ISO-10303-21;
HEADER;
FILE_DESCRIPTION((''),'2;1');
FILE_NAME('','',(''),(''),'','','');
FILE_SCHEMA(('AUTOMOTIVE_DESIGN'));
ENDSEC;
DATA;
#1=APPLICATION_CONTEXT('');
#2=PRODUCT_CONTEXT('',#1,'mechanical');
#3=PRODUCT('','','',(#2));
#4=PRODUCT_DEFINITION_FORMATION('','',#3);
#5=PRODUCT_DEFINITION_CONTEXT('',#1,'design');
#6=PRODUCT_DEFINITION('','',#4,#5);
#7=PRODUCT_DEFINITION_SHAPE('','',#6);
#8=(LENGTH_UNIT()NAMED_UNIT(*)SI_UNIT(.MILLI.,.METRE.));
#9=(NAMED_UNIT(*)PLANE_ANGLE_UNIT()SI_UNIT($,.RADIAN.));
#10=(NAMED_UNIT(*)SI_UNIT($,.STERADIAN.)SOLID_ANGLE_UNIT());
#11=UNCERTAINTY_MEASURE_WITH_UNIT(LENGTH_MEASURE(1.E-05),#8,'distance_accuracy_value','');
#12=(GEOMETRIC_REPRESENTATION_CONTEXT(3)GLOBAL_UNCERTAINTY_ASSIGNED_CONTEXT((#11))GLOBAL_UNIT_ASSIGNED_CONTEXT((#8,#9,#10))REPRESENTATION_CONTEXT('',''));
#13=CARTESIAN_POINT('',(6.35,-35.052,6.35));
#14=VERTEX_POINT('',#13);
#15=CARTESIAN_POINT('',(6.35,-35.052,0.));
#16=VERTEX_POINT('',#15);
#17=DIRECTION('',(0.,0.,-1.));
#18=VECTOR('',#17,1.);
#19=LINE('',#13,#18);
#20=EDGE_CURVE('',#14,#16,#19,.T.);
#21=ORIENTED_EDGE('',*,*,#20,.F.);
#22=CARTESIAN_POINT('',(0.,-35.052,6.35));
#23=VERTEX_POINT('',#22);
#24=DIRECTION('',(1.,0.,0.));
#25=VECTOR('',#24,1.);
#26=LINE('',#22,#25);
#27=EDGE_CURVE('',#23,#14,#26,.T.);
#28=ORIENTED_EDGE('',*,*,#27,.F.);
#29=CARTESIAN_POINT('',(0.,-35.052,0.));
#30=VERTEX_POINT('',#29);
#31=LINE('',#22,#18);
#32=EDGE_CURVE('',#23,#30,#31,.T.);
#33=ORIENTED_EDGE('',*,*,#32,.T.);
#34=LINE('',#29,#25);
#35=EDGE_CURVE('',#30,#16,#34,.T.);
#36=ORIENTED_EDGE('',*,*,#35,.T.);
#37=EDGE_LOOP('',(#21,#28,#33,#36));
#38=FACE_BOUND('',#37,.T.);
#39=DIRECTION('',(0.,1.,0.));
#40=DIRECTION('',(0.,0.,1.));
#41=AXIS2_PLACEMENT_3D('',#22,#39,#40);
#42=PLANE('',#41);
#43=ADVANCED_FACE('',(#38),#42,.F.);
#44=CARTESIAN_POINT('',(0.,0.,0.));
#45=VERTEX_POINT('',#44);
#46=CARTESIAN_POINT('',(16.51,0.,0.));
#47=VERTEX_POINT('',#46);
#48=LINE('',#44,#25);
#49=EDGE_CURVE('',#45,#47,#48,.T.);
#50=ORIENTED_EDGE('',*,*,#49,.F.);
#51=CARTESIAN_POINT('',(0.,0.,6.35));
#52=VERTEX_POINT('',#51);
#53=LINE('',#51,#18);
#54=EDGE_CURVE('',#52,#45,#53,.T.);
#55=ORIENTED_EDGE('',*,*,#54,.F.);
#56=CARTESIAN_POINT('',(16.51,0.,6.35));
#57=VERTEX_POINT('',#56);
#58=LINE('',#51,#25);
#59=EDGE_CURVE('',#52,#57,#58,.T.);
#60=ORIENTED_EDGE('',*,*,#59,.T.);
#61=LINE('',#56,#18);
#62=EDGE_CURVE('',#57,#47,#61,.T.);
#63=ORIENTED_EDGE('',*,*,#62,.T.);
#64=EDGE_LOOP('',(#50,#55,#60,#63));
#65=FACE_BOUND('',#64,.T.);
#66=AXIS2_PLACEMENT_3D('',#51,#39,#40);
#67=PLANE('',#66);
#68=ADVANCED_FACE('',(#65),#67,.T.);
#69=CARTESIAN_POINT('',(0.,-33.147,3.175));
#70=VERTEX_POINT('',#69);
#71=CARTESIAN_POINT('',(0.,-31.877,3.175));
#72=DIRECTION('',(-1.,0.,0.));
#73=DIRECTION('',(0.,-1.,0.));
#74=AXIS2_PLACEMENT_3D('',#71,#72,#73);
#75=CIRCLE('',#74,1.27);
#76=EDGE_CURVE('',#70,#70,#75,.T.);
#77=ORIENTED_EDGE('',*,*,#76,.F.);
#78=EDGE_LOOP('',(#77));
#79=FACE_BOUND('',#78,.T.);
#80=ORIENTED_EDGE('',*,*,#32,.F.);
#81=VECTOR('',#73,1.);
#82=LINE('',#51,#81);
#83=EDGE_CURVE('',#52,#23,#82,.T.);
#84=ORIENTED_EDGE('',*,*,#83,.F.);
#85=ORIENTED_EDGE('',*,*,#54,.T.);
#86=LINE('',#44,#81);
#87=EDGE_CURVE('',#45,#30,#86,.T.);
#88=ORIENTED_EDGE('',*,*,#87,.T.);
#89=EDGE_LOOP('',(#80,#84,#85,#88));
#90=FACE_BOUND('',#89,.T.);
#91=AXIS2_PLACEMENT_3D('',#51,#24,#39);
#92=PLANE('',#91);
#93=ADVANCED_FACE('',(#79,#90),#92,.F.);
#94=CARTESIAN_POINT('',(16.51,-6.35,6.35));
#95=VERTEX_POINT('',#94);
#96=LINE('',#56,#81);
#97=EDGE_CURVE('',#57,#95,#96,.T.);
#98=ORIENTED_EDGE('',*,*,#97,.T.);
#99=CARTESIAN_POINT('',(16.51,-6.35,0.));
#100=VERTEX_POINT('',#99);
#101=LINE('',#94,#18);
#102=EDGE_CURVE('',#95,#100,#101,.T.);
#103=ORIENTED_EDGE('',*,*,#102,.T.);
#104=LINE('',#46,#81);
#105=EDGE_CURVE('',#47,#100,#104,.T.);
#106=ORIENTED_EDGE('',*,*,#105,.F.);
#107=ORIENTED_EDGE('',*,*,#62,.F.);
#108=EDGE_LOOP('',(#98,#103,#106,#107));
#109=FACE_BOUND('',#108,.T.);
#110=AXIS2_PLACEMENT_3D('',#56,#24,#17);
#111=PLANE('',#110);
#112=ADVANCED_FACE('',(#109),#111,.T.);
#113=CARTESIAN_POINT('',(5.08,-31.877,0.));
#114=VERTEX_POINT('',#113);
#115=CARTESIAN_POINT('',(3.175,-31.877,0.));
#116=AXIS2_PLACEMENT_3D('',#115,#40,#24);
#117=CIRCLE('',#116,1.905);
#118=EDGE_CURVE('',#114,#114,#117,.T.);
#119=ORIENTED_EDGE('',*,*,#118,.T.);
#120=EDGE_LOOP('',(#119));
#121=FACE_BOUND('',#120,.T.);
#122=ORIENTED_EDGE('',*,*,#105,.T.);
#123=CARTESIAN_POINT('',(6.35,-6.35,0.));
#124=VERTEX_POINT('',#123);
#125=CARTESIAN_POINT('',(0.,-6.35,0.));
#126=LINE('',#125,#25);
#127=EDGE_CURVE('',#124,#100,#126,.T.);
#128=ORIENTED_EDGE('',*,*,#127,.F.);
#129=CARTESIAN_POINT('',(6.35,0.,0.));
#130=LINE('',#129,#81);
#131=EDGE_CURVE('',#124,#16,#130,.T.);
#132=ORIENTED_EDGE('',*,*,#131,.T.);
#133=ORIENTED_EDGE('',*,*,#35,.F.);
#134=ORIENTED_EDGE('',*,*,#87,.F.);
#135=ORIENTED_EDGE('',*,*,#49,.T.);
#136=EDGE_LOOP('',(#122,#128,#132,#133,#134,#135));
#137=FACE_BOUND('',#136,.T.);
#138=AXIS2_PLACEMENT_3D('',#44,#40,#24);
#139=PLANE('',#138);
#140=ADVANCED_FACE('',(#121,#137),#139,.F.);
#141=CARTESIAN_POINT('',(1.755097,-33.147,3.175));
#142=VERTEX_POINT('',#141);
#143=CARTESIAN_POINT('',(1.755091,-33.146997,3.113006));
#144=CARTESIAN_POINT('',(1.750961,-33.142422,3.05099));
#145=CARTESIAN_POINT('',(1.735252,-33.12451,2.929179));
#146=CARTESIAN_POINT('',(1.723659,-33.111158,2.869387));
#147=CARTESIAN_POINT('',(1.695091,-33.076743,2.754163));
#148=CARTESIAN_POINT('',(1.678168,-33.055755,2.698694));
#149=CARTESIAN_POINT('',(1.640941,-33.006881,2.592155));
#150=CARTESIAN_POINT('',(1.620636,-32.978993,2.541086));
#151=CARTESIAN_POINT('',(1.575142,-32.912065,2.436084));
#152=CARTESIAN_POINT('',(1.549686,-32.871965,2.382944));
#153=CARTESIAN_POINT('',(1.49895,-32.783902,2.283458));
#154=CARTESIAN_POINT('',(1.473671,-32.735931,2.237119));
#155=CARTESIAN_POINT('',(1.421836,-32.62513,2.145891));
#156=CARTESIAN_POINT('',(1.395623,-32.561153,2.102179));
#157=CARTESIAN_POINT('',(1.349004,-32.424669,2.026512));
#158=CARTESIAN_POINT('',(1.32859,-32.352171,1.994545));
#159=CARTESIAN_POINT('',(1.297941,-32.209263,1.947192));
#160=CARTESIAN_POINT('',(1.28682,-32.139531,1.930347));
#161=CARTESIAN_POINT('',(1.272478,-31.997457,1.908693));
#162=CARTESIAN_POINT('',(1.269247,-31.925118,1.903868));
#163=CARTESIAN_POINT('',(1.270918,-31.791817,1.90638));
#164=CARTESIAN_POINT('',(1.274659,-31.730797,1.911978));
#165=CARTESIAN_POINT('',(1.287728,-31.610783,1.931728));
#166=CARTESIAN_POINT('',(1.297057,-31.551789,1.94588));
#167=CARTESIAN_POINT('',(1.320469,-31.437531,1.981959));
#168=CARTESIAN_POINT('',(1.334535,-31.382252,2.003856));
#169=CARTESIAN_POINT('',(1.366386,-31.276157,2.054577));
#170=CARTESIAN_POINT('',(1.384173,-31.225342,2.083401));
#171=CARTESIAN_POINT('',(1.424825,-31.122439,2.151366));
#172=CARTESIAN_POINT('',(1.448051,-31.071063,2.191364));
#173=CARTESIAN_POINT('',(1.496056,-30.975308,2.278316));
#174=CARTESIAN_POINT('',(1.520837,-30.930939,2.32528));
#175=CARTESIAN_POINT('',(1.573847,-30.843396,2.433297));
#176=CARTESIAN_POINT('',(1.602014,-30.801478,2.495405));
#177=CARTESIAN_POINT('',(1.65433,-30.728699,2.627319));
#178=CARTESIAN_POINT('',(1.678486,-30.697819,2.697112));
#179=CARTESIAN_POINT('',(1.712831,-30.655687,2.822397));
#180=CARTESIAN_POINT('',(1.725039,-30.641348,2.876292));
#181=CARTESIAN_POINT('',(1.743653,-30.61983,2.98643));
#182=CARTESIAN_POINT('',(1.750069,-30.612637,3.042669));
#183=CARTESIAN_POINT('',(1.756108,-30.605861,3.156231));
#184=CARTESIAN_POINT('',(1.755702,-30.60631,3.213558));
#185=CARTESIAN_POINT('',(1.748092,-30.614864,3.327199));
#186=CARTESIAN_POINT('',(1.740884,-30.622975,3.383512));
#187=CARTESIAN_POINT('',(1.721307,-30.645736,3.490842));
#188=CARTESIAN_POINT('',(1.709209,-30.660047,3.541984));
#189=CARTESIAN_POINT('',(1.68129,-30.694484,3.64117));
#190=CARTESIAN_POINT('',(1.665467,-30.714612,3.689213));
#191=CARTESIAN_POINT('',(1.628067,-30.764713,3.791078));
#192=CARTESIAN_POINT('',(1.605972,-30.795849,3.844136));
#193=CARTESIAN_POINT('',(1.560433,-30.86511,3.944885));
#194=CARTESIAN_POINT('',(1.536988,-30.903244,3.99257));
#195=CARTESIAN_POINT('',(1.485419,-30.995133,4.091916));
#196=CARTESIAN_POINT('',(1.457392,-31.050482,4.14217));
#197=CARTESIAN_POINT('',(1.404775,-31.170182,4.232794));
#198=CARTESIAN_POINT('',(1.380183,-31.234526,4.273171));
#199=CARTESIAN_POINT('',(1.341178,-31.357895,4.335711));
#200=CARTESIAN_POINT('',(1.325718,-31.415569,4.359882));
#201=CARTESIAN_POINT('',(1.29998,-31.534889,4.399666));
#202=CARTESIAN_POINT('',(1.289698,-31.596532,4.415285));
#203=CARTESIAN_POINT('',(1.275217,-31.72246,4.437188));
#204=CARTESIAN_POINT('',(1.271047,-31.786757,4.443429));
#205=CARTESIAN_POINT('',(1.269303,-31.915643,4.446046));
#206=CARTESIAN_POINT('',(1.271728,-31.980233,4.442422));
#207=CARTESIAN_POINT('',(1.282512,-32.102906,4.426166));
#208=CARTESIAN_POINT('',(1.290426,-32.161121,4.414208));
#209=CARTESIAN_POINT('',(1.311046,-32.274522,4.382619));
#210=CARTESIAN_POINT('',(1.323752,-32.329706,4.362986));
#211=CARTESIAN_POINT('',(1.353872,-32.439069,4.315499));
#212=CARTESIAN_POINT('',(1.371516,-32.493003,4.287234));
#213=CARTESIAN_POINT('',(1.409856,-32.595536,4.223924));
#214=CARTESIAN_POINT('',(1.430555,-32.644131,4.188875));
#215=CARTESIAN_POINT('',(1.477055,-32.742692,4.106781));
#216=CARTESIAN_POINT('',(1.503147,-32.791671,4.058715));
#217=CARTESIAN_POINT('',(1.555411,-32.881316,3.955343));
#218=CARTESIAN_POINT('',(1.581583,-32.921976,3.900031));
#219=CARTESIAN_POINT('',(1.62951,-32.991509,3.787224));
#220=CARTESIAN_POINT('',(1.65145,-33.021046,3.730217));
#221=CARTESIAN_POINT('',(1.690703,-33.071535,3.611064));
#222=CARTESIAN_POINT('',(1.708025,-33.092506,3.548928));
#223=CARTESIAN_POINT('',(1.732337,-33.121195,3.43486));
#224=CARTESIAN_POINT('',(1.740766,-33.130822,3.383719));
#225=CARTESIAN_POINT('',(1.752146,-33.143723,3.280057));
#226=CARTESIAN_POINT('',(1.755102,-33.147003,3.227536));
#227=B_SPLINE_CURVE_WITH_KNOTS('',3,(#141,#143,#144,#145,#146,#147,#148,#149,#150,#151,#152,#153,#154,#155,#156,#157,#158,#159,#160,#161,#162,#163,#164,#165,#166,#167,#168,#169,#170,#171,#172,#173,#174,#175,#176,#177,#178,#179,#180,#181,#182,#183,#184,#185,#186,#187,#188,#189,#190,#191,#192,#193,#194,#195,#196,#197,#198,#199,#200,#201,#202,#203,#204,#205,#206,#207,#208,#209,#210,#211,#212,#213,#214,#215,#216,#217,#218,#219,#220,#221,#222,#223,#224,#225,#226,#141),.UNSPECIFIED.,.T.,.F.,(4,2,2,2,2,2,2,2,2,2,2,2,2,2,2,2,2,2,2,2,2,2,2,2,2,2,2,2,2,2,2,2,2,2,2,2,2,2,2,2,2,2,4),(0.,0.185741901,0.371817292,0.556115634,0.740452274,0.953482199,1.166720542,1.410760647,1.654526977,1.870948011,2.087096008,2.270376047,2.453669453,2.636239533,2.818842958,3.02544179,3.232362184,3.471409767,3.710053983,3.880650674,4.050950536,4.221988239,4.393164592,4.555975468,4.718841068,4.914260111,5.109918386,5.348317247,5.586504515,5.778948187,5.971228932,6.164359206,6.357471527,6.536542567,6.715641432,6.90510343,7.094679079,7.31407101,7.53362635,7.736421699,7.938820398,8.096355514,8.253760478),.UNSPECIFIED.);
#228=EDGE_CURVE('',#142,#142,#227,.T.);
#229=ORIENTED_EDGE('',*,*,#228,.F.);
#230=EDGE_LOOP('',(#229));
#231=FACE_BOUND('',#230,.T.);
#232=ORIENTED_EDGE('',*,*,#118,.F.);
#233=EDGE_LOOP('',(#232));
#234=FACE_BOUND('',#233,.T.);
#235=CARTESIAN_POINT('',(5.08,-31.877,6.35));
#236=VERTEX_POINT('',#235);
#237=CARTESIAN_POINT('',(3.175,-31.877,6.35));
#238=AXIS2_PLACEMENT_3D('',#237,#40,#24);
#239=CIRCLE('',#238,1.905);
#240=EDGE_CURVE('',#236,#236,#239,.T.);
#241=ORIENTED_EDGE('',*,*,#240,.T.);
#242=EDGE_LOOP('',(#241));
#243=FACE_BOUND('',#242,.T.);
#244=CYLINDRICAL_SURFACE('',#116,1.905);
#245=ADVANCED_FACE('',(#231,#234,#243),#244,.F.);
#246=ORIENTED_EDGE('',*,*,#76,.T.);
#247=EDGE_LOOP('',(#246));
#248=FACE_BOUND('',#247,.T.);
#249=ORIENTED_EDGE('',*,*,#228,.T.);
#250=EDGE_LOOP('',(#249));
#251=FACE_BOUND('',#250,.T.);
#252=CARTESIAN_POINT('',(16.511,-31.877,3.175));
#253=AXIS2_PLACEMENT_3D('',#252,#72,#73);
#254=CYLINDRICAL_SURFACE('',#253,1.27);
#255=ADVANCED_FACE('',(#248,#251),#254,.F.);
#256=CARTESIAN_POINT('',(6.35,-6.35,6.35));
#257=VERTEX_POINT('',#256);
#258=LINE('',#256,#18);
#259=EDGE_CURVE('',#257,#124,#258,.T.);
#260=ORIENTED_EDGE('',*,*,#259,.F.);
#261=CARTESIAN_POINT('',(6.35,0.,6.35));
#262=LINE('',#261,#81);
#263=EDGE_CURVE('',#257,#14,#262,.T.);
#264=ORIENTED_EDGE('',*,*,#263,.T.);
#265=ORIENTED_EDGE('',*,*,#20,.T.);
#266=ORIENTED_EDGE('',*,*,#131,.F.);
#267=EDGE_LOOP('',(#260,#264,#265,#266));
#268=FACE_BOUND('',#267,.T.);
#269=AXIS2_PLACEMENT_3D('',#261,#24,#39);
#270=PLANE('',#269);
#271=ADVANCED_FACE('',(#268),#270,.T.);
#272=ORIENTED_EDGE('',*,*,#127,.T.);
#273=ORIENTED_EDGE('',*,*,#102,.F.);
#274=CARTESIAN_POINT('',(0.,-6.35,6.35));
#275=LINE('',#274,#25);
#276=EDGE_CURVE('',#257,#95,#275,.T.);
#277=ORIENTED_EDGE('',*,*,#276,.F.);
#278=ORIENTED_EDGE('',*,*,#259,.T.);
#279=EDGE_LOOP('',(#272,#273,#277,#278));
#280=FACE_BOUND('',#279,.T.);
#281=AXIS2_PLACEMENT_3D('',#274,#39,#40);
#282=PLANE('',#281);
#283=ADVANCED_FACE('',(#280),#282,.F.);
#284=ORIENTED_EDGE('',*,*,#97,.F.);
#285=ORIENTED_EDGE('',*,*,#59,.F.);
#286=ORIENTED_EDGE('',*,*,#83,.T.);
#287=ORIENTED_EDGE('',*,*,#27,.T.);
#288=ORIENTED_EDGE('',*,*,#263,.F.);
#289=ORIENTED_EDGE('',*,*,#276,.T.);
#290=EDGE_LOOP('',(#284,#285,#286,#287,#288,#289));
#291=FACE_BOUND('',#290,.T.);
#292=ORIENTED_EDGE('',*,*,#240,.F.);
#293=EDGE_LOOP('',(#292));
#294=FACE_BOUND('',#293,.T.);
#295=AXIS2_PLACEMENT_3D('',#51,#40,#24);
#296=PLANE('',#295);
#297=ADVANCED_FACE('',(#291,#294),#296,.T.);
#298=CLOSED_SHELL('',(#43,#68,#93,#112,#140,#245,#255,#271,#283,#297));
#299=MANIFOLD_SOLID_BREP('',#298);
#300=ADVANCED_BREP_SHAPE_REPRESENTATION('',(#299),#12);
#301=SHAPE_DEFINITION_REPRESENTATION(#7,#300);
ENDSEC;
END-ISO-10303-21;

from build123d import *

# Parameters (mm, degrees)
BOSS_EXTRUDE1_DEPTH = 6.35
SKETCH2_R           = 1.905
CUT_EXTRUDE1_DEPTH  = 7.35
CUT_EXTRUDE2_REACH  = 18.51
SKETCH3_R           = 1.27


with BuildPart() as part:
    # Sketch1 → Boss-Extrude1 (new body)
    with BuildSketch(Plane.XY):
        Polygon((0, 0), (0, -35.052), (6.35, -35.052), (6.35, -6.35), (16.51, -6.35), (16.51, 0), align=None)
    extrude(amount=BOSS_EXTRUDE1_DEPTH)

    # Sketch2 → Cut-Extrude1 (cut, through all)
    with BuildSketch(Plane.XY.offset(6.35)):
        with Locations((3.175, -31.877)):
            Circle(SKETCH2_R)
    extrude(amount=-CUT_EXTRUDE1_DEPTH, mode=Mode.SUBTRACT)

    # Sketch3 → Cut-Extrude2 (cut, up to next)
    with BuildSketch(Plane.ZY, mode=Mode.PRIVATE) as cut_extrude2_sk1:
        with Locations((3.175, -31.877)):
            Circle(SKETCH3_R)
    cut_extrude2_tool1 = extrude(cut_extrude2_sk1.sketch, amount=-CUT_EXTRUDE2_REACH, mode=Mode.PRIVATE) & part.part
    add(cut_extrude2_tool1.solids().sort_by_distance((0, -31.877, 3.175))[0], mode=Mode.SUBTRACT)


solid = part.part
